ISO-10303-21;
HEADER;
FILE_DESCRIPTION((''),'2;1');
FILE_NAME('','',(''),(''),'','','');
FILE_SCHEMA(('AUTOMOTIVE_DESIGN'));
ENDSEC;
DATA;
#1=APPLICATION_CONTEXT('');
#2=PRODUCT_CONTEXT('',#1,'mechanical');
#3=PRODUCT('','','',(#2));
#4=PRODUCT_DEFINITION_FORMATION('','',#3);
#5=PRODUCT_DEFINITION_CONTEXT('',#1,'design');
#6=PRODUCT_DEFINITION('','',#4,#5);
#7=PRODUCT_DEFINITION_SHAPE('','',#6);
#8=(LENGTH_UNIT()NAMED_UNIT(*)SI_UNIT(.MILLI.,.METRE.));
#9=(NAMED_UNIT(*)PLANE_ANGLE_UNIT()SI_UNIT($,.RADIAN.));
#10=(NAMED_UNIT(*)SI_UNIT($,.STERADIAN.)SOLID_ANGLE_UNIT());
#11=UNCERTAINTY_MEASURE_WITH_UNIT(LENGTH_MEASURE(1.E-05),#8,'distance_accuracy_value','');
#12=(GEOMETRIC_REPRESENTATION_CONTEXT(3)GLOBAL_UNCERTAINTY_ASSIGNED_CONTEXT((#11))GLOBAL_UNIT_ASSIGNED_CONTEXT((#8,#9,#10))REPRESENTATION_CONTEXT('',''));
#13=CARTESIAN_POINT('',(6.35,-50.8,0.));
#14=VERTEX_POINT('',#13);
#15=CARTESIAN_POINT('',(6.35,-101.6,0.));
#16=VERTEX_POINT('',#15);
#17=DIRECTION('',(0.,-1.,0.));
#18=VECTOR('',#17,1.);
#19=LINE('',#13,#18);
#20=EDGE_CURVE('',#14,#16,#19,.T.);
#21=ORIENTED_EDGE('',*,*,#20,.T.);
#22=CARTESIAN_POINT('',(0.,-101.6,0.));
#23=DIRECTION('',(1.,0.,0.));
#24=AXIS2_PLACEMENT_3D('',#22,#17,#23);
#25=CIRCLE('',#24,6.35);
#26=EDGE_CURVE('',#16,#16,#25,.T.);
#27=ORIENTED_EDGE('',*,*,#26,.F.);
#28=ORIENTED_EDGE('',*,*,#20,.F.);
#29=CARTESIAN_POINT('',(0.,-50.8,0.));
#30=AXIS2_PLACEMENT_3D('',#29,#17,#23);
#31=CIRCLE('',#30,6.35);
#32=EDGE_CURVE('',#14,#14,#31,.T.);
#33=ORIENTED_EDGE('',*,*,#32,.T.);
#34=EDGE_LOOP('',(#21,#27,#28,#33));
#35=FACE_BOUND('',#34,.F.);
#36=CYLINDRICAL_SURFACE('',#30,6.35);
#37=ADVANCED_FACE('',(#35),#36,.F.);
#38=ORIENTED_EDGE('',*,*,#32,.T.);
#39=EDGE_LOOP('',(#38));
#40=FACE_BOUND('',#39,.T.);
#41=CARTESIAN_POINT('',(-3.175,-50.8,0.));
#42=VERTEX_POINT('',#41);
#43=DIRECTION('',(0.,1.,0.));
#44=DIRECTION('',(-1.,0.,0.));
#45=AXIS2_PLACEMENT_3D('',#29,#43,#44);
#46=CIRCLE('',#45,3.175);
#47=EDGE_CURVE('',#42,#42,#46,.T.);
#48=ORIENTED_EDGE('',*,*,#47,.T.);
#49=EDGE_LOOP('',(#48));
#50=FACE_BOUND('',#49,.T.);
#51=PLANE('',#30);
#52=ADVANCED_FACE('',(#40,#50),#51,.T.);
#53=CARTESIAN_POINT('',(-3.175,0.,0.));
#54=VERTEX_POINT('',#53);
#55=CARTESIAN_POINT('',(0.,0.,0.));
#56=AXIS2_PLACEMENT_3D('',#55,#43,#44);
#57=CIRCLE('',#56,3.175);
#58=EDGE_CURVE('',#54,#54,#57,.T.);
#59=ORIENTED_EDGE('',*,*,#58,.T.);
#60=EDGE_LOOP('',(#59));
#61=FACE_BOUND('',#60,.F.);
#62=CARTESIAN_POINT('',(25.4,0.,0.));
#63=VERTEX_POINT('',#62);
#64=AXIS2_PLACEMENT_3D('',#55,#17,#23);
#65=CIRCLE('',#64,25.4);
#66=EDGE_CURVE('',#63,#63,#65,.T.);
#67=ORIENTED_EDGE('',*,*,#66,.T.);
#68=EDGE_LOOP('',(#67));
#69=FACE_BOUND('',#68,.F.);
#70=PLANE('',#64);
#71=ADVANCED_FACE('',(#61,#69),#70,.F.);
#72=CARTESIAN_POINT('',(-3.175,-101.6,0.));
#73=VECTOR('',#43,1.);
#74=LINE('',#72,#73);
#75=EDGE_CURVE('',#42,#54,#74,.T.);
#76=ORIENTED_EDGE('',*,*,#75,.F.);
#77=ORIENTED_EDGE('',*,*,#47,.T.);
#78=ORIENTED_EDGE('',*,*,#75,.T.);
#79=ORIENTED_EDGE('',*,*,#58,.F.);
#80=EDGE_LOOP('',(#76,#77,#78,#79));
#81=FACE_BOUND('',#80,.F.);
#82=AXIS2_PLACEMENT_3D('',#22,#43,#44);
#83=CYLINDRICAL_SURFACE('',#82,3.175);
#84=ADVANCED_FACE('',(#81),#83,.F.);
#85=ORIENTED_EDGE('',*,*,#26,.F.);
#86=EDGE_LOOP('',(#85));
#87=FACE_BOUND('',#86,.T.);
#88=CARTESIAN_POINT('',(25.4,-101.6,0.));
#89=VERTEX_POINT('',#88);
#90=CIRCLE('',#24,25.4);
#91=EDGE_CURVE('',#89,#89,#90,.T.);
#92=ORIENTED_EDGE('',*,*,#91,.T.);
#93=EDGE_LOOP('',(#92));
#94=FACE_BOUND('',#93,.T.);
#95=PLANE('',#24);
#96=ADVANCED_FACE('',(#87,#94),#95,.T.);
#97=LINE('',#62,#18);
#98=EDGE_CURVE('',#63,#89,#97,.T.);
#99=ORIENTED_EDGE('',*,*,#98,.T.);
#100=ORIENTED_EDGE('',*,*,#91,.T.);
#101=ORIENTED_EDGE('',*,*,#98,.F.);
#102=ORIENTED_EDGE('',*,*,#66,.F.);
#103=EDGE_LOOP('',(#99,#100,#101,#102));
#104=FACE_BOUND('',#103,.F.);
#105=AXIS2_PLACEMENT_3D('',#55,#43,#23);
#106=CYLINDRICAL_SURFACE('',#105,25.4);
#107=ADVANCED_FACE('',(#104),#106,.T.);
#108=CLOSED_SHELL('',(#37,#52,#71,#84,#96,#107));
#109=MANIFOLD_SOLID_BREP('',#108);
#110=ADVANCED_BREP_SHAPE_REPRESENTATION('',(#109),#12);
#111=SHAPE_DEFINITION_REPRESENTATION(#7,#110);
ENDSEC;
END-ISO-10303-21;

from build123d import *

# Parameters (mm, degrees)
F0_R           = 25.4
F1_DEPTH       = 101.6
F3_D           = 6.35
F3_CBORE_D     = 12.7
F3_CBORE_DEPTH = 50.8


with BuildPart() as f1:
    # F0 (on Front) → F1 (new body)
    with BuildSketch(Plane.XZ):
        Circle(F0_R)
    extrude(amount=F1_DEPTH)

    # F3 (through all)
    with Locations(Plane.XZ.offset(101.6)):
        with Locations((0, 0)):
            CounterBoreHole(F3_D / 2, F3_CBORE_D / 2, F3_CBORE_DEPTH)


solid = f1.part
